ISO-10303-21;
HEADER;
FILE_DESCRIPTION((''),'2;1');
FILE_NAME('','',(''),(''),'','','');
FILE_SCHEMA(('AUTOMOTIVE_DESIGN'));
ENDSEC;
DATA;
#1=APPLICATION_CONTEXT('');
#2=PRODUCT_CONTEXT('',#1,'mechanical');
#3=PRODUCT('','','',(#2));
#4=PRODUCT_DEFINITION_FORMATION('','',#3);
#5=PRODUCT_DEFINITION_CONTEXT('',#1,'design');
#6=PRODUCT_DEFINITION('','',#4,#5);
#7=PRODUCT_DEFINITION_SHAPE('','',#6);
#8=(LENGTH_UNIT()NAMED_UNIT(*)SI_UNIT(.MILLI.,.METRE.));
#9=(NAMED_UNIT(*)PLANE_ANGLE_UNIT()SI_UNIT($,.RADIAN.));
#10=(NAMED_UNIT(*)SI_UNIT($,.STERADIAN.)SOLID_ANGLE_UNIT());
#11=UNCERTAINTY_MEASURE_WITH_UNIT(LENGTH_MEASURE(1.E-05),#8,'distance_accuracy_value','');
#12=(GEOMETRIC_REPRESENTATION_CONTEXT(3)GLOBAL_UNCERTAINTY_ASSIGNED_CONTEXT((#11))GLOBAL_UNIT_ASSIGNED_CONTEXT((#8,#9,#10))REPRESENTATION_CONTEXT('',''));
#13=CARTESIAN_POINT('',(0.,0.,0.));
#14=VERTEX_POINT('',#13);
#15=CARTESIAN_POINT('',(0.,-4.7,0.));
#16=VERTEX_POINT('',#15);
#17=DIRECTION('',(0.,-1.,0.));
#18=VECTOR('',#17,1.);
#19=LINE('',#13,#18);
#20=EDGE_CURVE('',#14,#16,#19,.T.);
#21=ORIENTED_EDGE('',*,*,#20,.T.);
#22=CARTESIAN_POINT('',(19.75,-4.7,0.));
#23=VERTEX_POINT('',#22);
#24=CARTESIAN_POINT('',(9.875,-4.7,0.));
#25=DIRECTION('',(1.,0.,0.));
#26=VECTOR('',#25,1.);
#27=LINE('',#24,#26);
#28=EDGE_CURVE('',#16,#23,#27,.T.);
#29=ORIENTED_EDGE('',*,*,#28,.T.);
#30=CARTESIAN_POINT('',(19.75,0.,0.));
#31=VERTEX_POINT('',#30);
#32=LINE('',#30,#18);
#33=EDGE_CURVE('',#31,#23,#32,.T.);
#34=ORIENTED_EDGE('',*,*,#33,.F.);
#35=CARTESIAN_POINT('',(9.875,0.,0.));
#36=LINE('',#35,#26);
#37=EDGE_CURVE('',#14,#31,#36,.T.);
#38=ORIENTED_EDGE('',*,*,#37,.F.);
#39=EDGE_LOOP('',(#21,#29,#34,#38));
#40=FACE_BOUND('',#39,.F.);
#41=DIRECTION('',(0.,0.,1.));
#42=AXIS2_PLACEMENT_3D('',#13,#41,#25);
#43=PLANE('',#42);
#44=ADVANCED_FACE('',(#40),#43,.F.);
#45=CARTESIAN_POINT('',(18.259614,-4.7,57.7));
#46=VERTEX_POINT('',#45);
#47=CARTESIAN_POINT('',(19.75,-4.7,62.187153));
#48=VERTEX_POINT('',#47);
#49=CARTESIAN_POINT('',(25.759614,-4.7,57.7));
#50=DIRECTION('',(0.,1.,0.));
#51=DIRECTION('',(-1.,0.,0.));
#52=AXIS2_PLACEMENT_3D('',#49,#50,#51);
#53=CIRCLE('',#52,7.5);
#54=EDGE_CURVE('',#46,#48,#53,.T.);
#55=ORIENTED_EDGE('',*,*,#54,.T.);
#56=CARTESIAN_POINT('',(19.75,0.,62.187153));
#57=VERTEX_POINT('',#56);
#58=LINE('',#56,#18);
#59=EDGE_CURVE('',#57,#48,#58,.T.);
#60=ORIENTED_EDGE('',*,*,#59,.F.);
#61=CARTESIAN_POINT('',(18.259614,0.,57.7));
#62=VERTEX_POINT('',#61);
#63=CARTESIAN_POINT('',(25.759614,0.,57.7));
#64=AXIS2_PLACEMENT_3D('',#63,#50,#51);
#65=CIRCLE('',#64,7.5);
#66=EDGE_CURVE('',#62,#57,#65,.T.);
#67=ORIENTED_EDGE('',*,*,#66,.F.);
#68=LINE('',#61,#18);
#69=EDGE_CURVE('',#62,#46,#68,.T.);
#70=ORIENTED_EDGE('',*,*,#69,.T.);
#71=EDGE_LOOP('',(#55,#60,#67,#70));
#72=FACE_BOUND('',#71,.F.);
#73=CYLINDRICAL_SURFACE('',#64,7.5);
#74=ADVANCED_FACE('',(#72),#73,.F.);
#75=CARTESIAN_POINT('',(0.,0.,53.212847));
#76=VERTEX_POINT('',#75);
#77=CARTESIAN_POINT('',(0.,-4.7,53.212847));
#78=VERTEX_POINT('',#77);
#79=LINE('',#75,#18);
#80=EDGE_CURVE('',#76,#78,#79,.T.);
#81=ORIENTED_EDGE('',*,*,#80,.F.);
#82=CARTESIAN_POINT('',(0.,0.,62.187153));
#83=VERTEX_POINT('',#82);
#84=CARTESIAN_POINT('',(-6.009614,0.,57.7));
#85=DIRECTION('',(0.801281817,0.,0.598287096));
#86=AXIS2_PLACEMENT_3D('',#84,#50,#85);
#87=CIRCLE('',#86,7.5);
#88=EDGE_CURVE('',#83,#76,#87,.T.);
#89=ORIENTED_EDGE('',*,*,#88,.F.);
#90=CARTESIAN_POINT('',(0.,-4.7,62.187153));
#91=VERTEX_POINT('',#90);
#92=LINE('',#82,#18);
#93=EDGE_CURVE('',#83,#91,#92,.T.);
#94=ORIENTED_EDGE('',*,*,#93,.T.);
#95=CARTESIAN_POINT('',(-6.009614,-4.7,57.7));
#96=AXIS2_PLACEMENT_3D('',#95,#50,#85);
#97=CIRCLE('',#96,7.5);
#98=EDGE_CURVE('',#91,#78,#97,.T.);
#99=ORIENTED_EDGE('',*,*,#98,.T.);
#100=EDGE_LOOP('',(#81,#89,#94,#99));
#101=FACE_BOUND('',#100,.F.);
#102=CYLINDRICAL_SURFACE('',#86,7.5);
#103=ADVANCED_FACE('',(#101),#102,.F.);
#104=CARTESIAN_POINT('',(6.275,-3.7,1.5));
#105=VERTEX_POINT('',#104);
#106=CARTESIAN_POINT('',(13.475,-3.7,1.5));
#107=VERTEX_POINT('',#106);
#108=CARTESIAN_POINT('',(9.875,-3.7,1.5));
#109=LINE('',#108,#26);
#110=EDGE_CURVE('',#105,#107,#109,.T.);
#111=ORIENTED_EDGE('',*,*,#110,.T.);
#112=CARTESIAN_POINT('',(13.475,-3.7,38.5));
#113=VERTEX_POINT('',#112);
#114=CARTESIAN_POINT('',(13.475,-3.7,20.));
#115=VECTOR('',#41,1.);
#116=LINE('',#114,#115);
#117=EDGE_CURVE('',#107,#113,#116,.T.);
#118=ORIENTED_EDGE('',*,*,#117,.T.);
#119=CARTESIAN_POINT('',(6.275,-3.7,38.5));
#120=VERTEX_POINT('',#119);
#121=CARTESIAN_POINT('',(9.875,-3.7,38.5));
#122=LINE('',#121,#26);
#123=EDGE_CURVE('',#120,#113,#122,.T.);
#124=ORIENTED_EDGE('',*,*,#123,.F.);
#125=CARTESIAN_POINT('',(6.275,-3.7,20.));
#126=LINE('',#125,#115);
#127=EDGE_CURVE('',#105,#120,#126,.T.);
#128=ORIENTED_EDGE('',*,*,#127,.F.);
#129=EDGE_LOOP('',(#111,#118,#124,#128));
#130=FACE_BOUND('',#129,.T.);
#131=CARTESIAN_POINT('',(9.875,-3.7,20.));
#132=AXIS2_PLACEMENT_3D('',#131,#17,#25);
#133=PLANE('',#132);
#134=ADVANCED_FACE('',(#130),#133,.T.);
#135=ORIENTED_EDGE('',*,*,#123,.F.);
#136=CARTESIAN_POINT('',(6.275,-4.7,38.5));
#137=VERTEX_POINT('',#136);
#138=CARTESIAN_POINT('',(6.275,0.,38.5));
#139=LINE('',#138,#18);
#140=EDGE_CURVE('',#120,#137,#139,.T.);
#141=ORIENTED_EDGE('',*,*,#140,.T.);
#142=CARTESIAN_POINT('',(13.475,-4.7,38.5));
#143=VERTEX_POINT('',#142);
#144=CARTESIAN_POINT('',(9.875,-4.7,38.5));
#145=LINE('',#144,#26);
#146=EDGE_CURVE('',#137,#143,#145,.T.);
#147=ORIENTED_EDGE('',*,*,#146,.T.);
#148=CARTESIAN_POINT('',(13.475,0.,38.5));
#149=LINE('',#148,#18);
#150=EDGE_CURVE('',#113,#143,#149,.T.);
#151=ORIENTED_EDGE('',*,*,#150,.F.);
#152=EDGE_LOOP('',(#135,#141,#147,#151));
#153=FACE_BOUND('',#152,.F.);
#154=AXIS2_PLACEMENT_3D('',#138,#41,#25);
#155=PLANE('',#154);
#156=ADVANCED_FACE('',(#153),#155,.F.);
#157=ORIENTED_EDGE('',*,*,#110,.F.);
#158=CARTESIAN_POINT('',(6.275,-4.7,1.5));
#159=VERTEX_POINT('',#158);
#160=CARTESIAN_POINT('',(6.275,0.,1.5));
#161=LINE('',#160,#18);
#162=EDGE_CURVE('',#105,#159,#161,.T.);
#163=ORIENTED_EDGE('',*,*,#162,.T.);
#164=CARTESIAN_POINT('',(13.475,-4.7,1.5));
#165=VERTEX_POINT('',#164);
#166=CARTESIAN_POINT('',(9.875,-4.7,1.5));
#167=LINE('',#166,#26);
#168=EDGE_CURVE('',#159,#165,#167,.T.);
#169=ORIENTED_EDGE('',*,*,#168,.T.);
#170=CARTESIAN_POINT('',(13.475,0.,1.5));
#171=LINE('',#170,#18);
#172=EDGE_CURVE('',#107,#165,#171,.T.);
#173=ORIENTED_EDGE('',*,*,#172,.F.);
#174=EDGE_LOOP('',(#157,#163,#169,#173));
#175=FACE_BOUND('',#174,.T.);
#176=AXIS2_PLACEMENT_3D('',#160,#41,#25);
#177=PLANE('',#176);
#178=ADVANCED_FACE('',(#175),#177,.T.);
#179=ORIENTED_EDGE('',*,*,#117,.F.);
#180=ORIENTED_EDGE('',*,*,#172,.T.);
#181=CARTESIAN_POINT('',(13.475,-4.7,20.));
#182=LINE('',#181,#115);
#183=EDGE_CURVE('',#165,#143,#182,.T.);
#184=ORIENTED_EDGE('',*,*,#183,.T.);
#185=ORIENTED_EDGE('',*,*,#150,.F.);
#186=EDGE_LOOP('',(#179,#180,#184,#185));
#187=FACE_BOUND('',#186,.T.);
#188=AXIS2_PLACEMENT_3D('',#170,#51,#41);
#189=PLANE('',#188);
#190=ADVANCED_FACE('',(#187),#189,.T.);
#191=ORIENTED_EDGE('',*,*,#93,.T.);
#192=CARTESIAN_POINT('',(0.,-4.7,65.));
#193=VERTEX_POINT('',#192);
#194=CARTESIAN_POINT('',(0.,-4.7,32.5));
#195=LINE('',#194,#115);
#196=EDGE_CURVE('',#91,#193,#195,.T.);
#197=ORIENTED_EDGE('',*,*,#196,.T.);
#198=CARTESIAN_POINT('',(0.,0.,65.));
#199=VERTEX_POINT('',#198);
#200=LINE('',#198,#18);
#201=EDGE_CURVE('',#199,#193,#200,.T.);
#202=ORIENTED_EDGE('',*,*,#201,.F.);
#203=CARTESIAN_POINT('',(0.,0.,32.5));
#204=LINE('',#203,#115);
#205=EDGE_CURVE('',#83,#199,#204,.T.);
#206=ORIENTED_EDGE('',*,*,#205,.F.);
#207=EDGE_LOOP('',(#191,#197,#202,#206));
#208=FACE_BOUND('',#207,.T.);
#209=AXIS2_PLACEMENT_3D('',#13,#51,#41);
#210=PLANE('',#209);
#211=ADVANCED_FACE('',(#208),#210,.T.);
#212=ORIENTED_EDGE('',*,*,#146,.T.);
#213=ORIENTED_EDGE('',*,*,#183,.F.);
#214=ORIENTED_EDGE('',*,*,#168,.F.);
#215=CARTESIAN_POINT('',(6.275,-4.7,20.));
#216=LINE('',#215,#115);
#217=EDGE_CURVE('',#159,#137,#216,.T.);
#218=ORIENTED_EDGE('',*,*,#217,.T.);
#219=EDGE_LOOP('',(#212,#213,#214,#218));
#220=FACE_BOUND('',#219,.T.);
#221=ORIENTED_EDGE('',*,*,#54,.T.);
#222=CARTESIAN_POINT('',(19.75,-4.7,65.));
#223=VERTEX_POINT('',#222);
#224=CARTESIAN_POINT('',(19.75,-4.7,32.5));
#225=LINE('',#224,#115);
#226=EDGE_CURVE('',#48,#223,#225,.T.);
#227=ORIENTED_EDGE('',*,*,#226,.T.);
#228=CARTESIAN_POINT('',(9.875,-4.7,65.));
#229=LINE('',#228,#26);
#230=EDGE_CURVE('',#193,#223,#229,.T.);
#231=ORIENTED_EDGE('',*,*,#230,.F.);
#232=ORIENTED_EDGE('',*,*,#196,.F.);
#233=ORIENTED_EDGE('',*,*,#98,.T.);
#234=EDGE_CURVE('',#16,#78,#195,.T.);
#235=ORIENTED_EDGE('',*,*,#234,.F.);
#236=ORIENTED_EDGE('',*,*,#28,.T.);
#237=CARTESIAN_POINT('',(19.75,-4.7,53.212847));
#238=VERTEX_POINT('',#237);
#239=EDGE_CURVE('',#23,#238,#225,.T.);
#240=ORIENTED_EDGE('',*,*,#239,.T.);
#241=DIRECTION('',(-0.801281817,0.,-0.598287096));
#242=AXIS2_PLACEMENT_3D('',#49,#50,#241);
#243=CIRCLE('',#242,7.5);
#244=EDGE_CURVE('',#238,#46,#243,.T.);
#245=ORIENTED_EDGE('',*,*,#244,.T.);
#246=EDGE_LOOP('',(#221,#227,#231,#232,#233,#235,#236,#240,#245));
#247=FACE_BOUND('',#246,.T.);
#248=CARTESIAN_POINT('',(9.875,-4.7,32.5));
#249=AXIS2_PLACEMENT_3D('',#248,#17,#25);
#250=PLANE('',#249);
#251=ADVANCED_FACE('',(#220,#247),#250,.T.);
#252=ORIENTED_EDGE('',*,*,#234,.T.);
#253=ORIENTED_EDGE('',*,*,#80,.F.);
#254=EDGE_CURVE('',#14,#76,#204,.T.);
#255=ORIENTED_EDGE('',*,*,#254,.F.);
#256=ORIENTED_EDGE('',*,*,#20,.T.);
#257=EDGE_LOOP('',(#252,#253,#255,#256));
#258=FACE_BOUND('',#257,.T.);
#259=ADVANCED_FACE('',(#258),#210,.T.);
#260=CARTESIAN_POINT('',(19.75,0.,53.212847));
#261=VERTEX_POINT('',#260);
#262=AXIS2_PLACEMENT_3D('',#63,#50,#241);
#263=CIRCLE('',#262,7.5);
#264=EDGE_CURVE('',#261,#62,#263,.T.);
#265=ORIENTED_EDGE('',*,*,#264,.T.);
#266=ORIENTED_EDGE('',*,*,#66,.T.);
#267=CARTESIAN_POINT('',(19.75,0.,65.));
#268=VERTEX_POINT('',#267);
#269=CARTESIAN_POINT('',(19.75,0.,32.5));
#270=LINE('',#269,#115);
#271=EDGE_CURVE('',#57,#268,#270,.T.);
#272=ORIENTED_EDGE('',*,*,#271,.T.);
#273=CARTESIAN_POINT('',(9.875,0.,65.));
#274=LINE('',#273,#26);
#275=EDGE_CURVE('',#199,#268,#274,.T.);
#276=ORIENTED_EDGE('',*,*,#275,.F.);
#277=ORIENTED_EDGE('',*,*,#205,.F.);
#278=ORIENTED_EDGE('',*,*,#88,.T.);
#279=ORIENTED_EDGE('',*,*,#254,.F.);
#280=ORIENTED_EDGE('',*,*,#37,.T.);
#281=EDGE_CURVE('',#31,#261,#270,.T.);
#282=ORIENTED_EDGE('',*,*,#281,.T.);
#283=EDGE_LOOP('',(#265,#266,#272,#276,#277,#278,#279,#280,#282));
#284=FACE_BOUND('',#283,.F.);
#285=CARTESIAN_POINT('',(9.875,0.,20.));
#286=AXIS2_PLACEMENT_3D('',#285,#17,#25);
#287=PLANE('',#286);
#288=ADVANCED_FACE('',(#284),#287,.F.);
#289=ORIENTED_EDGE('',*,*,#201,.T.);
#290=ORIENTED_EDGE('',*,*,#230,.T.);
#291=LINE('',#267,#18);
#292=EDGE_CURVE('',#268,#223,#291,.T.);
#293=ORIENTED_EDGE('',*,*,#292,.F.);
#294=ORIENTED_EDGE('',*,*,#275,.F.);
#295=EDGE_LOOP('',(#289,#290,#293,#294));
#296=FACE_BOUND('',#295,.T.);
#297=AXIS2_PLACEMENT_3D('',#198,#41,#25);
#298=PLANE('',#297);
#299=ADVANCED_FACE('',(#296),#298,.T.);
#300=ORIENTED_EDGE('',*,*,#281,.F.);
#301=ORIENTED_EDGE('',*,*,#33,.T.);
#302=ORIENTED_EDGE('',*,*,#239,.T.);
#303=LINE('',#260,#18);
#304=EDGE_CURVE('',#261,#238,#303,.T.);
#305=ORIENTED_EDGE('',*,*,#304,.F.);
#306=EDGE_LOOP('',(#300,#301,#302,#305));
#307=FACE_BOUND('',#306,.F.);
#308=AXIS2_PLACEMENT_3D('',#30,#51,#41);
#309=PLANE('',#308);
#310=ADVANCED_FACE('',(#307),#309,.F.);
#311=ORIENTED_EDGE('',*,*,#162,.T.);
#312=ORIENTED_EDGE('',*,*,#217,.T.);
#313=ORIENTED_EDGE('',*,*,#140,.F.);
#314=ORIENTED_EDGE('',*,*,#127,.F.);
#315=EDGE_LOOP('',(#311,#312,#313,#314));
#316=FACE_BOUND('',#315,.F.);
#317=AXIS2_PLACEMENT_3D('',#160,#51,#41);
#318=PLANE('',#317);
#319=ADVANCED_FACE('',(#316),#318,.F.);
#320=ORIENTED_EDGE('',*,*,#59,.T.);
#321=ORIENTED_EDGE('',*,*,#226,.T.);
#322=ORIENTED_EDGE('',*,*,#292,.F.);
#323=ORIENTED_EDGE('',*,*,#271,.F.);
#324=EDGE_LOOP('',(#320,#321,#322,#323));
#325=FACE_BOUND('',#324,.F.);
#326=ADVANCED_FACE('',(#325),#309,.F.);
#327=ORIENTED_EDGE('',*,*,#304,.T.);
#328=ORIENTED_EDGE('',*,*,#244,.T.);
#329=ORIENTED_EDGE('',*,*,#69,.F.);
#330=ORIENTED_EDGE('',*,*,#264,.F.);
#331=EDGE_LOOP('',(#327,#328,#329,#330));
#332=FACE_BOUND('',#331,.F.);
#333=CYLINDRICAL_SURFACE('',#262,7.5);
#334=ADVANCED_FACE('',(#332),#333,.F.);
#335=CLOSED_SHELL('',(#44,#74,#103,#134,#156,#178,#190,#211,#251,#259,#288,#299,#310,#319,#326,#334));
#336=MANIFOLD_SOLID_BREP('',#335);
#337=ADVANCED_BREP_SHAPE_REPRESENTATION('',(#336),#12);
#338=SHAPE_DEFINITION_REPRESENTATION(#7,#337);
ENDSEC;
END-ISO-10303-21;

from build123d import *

# Parameters (mm, degrees)
F0_W     = 19.75
F0_H     = 65
F0_W_2   = 7.2
F0_H_2   = 37
F1_DEPTH = 4.7
F2_DEPTH = 3.7
F4_DEPTH = 4.701


with BuildPart() as f1:
    # F0 (on Front) → F1 (new body)
    with BuildSketch(Plane.XZ):
        with Locations((9.875, 32.5)):
            Rectangle(F0_W, F0_H)
        with Locations((9.875, 20)):
            Rectangle(F0_W_2, F0_H_2, mode=Mode.SUBTRACT)
    extrude(amount=F1_DEPTH)

    # F0 (on Front) → F2 (join)
    with BuildSketch(Plane.XZ):
        with Locations((9.875, 20)):
            Rectangle(F0_W_2, F0_H_2)
    extrude(amount=F2_DEPTH)

    # F3 (on face) → F4 (cut, through all)
    with BuildSketch(Plane(origin=(0, 0, 0), x_dir=(-1, 0, 0), z_dir=(0, 1, 0))):
        with BuildLine():
            ThreePointArc((-19.75, 53.2128467794), (-18.6419559311, 55.3359042131), (-18.2596136294, 57.7))
            ThreePointArc((-18.2596136294, 57.7), (-18.6419559311, 60.0640957869), (-19.75, 62.1871532206))
            Line((-19.75, 62.1871532206), (-19.75, 53.2128467794))
        make_face()
        with BuildLine():
            Line((0, 53.2128467794), (0, 62.1871532206))
            ThreePointArc((0, 62.1871532206), (-1.4903863706, 57.7), (0, 53.2128467794))
        make_face()
    extrude(amount=-F4_DEPTH, mode=Mode.SUBTRACT)


solid = f1.part
